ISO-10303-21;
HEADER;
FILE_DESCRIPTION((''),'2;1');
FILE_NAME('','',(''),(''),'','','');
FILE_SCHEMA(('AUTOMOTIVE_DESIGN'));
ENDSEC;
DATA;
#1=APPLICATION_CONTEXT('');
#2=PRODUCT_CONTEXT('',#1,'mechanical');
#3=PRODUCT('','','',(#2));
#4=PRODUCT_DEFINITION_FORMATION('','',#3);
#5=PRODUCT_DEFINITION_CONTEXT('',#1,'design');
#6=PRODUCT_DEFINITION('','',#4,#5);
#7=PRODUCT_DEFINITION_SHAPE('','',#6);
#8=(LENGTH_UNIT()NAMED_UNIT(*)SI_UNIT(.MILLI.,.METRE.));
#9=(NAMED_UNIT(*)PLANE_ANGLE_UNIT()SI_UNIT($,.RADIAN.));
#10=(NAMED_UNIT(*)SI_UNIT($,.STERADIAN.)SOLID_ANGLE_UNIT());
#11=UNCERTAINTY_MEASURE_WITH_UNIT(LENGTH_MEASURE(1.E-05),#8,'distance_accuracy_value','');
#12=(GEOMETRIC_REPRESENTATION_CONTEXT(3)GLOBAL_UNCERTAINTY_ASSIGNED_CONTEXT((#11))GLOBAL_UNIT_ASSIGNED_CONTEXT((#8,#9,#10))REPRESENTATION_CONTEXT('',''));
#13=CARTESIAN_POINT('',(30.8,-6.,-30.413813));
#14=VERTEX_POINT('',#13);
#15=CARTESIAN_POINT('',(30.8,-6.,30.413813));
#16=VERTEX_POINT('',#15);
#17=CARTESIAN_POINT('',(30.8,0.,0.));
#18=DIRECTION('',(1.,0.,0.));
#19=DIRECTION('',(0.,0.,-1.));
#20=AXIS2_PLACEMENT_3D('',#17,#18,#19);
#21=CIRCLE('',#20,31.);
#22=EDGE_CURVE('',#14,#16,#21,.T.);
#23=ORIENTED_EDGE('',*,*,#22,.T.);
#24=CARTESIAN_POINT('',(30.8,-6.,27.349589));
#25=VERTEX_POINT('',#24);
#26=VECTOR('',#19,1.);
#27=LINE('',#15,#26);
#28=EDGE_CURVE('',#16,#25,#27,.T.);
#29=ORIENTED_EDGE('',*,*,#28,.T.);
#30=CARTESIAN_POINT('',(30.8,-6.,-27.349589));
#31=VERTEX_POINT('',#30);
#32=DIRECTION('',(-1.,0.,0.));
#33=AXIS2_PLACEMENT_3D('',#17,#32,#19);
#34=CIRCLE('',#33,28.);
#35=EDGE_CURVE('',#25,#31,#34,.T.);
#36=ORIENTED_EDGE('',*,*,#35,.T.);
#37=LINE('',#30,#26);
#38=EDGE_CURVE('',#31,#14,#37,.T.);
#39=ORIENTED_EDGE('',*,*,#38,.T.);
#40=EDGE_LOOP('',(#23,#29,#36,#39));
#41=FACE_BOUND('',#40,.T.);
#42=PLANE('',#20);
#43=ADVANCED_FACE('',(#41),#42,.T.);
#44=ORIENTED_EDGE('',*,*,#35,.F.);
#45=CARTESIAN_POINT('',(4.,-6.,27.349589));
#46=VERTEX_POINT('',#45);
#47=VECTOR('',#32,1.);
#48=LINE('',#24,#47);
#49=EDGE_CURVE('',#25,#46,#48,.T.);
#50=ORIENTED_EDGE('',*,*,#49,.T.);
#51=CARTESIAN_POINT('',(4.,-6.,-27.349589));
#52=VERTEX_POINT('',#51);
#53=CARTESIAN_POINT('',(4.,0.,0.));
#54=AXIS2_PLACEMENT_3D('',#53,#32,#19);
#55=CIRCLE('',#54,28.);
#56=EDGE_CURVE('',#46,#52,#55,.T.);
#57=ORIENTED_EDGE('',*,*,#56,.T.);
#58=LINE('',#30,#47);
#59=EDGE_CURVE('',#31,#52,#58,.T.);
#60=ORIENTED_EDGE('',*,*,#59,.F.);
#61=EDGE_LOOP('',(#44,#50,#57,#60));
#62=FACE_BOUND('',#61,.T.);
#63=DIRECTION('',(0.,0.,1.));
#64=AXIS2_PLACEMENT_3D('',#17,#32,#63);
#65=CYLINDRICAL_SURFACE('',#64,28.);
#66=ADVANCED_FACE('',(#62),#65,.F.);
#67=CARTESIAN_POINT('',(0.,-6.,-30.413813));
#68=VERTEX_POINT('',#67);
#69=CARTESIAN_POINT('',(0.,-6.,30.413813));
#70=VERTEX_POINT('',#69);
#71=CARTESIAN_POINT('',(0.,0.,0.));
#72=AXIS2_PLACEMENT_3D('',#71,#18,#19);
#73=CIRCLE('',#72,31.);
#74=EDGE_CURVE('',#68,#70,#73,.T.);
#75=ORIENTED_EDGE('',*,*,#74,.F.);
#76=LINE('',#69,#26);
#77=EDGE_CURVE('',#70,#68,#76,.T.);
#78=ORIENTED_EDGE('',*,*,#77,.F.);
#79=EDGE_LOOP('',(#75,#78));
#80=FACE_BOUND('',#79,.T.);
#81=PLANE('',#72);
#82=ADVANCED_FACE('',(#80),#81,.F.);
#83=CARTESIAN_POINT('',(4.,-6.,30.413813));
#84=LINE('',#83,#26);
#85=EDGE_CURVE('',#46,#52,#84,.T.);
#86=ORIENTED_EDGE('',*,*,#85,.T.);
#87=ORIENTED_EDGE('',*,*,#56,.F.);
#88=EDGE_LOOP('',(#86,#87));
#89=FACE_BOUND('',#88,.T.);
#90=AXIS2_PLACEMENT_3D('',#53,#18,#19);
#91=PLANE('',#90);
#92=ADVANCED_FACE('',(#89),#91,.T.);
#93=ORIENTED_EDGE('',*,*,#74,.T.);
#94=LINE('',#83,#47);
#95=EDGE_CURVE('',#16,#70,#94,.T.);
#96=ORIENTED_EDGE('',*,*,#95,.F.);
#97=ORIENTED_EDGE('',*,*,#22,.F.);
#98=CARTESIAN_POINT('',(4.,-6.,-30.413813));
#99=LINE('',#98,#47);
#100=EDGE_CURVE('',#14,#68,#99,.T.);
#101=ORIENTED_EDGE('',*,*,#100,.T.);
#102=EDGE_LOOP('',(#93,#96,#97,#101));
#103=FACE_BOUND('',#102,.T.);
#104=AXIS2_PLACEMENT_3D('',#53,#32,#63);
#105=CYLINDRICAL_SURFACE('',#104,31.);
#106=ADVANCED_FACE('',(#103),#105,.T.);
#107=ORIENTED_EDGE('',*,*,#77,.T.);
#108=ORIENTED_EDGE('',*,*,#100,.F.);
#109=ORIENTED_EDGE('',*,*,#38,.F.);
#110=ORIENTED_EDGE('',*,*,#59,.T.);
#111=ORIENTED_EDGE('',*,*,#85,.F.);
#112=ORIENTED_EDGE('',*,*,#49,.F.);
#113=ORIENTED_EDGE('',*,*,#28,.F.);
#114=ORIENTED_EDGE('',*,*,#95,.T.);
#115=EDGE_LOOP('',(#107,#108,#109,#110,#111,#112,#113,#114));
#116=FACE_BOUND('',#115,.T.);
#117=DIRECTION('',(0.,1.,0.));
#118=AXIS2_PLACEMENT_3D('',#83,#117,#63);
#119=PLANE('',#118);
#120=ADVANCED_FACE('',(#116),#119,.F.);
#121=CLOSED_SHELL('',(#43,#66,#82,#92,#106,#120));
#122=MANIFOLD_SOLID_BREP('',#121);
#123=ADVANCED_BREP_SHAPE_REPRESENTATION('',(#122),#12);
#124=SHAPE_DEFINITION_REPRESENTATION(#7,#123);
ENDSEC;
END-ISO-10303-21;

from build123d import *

# Parameters (mm, degrees)
EXTRUDE_1_DEPTH = 4
EXTRUDE_2_DEPTH = 26.8


with BuildPart() as part:
    # 草图1 → 凸台-拉伸1 (new body)
    with BuildSketch(Plane(origin=(0, 0, 0), x_dir=(0, 0, -1), z_dir=(1, 0, 0))):
        with BuildLine():
            Line((-30.413812651, -6), (30.413812651, -6))
            ThreePointArc((30.413812651, -6), (0, 31), (-30.413812651, -6))
        make_face()
    extrude(amount=EXTRUDE_1_DEPTH)

    # 草图2 → 凸台-拉伸2 (add)
    with BuildSketch(Plane(origin=(4, 0, 0), x_dir=(0, 0, -1), z_dir=(1, 0, 0))):
        with BuildLine():
            Line((-30.413812651, -6), (-27.349588662, -6))
            ThreePointArc((-27.349588662, -6), (0, 28), (27.349588662, -6))
            Line((27.349588662, -6), (30.413812651, -6))
            ThreePointArc((30.413812651, -6), (0, 31), (-30.413812651, -6))
        make_face()
    extrude(amount=EXTRUDE_2_DEPTH)


solid = part.part
